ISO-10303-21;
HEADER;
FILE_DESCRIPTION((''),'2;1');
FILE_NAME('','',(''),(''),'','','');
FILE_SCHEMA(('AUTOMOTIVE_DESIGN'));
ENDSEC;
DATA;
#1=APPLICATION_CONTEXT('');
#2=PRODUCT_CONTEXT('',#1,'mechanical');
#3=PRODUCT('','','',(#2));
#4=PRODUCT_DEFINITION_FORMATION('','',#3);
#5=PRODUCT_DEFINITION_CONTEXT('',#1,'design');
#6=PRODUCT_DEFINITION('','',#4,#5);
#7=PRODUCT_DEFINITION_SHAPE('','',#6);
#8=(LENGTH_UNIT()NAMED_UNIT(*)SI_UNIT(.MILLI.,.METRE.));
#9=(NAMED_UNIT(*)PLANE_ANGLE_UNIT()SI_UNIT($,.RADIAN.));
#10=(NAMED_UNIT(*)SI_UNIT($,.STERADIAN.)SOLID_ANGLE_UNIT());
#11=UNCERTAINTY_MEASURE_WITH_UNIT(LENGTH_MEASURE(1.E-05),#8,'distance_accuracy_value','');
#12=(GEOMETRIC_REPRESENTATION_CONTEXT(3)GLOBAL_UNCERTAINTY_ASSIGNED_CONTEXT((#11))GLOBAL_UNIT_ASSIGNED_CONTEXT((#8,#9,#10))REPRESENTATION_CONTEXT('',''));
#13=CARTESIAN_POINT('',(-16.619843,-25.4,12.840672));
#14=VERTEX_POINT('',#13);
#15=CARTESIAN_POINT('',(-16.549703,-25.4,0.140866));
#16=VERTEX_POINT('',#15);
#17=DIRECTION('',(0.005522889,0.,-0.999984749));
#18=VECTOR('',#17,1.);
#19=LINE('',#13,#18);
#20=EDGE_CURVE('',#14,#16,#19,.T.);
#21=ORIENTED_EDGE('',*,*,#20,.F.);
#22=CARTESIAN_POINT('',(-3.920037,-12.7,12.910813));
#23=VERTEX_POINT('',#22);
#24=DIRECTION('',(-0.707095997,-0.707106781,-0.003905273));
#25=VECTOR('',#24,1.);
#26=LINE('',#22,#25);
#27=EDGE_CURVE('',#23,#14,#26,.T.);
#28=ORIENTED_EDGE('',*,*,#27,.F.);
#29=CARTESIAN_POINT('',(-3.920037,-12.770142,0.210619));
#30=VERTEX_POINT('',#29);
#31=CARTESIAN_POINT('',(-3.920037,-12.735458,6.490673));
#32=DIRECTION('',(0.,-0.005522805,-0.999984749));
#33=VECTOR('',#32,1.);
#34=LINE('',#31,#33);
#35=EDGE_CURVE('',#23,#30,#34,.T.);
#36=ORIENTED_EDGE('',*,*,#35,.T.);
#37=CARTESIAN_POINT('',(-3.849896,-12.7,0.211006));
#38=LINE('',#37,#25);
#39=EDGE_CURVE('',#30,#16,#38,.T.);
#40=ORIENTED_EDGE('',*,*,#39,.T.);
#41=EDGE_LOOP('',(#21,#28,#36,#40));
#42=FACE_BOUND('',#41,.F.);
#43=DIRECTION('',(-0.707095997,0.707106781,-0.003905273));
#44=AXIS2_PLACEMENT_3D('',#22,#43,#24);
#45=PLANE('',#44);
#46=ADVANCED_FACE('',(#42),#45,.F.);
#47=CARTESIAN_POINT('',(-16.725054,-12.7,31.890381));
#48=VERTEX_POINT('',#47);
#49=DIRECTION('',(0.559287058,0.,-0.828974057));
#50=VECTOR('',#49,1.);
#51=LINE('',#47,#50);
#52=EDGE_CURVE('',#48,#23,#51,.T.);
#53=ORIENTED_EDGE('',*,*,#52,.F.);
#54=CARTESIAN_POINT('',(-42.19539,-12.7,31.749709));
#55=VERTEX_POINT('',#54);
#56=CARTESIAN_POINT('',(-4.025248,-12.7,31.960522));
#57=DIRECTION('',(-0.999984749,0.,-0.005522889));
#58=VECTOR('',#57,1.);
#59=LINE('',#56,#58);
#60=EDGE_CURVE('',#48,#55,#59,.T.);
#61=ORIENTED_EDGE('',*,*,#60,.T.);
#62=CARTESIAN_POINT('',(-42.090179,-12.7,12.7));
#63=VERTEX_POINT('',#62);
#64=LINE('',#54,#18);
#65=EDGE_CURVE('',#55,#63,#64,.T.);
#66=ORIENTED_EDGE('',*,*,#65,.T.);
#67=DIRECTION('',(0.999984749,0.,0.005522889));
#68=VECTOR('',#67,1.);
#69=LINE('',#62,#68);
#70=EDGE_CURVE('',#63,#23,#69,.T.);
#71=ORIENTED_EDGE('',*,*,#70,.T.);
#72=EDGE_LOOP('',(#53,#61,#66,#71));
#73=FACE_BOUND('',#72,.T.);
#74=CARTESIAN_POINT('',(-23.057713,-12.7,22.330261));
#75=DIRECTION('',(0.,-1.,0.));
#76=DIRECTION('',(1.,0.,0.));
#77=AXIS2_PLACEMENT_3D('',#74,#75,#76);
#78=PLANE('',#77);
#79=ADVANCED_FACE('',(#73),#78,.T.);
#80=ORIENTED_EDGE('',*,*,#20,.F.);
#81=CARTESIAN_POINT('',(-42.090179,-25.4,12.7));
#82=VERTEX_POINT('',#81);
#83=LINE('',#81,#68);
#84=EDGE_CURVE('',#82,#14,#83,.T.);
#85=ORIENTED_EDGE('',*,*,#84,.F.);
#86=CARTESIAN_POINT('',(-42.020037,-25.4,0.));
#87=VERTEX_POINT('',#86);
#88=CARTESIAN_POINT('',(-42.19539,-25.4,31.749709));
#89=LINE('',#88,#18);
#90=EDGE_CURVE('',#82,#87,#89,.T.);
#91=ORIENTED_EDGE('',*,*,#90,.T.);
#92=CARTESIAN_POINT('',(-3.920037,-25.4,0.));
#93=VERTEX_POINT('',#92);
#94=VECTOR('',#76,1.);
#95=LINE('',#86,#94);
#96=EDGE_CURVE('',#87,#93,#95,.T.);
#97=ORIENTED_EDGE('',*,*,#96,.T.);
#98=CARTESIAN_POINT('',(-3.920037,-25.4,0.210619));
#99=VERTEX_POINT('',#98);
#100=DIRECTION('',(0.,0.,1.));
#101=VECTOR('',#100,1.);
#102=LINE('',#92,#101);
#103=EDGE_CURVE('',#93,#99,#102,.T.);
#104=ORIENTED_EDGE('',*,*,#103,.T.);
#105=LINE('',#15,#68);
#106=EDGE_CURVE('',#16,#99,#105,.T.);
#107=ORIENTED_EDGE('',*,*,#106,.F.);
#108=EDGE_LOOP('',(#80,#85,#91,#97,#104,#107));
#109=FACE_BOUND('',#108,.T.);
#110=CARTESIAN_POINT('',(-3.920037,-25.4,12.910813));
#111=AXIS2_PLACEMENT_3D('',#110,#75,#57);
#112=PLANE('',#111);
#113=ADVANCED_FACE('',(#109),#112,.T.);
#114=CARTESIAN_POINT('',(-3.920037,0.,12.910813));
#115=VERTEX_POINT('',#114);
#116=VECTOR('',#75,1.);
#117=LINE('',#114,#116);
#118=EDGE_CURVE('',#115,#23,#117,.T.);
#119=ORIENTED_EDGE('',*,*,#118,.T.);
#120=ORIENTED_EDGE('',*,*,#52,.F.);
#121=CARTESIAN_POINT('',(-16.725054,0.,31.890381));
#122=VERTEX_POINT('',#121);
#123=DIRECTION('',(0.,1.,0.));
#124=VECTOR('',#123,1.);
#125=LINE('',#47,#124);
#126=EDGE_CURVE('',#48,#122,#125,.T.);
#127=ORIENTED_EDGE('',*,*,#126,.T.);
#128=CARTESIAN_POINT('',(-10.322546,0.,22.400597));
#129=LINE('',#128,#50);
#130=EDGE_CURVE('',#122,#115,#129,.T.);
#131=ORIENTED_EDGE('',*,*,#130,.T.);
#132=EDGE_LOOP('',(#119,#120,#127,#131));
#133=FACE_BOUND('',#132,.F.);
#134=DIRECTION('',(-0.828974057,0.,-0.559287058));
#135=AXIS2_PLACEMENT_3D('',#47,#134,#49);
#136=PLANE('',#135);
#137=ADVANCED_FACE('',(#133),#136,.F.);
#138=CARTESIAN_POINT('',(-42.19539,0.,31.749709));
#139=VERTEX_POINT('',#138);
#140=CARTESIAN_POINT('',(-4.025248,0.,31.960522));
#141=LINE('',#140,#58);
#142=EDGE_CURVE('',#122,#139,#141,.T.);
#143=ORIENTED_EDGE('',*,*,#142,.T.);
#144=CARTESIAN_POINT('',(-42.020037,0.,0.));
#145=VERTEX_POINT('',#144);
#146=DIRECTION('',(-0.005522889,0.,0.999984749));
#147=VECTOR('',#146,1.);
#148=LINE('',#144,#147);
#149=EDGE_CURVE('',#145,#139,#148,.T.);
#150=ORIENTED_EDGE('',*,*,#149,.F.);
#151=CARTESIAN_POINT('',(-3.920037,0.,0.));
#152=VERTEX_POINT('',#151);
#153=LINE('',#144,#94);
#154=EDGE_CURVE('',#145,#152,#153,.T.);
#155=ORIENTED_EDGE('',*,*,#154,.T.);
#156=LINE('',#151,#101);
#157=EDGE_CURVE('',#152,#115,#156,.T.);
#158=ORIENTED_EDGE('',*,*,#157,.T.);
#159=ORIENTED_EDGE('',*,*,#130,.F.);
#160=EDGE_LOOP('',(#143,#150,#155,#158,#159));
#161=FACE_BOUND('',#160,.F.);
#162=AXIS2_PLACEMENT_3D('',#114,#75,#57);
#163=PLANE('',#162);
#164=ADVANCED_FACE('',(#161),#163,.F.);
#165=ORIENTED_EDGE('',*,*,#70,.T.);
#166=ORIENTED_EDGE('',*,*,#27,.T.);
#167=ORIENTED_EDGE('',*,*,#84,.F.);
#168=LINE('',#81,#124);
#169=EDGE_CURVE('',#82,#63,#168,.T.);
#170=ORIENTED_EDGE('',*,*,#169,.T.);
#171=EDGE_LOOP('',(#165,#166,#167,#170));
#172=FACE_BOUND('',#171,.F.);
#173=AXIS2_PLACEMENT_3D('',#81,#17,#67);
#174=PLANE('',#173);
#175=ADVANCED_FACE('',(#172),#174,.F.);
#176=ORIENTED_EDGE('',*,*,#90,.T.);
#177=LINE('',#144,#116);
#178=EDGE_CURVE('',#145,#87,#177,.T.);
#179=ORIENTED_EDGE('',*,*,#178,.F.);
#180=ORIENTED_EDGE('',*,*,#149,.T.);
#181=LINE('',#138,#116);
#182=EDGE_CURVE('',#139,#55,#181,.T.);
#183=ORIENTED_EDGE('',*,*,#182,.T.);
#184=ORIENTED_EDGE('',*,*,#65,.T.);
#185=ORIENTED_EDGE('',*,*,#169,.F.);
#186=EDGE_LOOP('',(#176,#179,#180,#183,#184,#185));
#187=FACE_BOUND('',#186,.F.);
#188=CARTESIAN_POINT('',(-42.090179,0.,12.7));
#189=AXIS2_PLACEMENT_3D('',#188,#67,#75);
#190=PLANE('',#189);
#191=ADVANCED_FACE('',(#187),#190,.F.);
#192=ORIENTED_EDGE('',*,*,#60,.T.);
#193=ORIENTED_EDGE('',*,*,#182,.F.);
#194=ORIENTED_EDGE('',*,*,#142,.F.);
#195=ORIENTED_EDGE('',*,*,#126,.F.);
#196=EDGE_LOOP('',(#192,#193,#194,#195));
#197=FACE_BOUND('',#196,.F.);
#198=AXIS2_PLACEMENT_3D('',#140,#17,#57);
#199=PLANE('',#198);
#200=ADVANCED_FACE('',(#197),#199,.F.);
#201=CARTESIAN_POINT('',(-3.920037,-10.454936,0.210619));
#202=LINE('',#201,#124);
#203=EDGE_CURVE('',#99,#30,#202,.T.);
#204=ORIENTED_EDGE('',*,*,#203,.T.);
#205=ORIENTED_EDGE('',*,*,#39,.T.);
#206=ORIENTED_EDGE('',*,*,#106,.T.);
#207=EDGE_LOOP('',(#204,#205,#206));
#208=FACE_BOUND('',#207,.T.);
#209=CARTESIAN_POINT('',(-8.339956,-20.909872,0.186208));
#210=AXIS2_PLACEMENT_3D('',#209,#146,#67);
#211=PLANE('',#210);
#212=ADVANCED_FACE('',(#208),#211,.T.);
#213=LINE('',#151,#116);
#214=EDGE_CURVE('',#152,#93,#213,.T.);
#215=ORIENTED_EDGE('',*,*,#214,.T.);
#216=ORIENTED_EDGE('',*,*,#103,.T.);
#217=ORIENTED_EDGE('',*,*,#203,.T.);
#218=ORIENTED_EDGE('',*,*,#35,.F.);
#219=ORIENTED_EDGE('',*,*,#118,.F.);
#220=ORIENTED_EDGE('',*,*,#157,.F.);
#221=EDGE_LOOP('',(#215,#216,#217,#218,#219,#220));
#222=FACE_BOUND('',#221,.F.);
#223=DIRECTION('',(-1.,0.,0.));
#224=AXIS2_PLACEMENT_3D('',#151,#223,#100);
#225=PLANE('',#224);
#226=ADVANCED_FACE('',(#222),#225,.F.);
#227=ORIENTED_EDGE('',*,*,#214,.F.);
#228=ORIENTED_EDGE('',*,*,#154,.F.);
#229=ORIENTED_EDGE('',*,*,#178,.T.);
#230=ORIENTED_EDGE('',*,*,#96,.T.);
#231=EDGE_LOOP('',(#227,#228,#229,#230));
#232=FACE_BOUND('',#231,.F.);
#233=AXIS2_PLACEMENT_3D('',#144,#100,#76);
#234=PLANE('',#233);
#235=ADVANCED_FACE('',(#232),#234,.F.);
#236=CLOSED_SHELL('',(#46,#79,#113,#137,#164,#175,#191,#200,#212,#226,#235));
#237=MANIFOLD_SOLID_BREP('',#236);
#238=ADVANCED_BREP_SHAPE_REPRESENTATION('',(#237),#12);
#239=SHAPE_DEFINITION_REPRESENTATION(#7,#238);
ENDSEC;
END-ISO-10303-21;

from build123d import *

# Parameters (mm, degrees)
F1_DEPTH = 25.4
F2_DEPTH = 19.05
F4_DEPTH = 12.7
F6_DEPTH = 12.701
F8_DEPTH = 12.7


with BuildPart() as f1:
    # F0 (on Front) → F1 (new body)
    with BuildSketch(Plane.XZ):
        Polygon((-42.0901787708, 12.7), (-42.0200370051, 0), (-3.9200370051, 0), (-3.9200370051, 12.9108126882), align=None)
    extrude(amount=F1_DEPTH)

    # F2 (add): a face of the model
    f2_faces = [f1.faces().sort_by_distance(p)[0] for p in [
        (-23.005107888, -12.7, 12.8054063441),
    ]]
    extrude(f2_faces, amount=F2_DEPTH)

    # F3 (on face) → F4 (cut)
    with BuildSketch(Plane.XZ.offset(25.4)):
        Polygon((-42.0901787708, 12.7), (-3.9200370051, 12.9108126882), (-4.025248049, 31.9605221515), (-42.1953898147, 31.7497094633), align=None)
    extrude(amount=-F4_DEPTH, mode=Mode.SUBTRACT)

    # F5 (on face) → F6 (cut, through all)
    with BuildSketch(Plane.XZ.offset(12.7)):
        Polygon((-4.025248049, 31.9605221515), (-16.7250543579, 31.8903814555), (-3.9200370051, 12.9108126882), align=None)
    extrude(amount=-F6_DEPTH, mode=Mode.SUBTRACT)

    # F7 (on face) → F8 (cut)
    with BuildSketch(Plane(origin=(-0.0714234738, 0, 12.9320684794), x_dir=(0.9999847487, 0, 0.0055228894), z_dir=(-0.0055228894, 0, 0.9999847487))):
        Polygon((-3.8486722285, -12.7), (-16.5486722285, -25.4), (-3.8486722285, -25.4), align=None)
    extrude(amount=-F8_DEPTH, mode=Mode.SUBTRACT)


solid = f1.part
